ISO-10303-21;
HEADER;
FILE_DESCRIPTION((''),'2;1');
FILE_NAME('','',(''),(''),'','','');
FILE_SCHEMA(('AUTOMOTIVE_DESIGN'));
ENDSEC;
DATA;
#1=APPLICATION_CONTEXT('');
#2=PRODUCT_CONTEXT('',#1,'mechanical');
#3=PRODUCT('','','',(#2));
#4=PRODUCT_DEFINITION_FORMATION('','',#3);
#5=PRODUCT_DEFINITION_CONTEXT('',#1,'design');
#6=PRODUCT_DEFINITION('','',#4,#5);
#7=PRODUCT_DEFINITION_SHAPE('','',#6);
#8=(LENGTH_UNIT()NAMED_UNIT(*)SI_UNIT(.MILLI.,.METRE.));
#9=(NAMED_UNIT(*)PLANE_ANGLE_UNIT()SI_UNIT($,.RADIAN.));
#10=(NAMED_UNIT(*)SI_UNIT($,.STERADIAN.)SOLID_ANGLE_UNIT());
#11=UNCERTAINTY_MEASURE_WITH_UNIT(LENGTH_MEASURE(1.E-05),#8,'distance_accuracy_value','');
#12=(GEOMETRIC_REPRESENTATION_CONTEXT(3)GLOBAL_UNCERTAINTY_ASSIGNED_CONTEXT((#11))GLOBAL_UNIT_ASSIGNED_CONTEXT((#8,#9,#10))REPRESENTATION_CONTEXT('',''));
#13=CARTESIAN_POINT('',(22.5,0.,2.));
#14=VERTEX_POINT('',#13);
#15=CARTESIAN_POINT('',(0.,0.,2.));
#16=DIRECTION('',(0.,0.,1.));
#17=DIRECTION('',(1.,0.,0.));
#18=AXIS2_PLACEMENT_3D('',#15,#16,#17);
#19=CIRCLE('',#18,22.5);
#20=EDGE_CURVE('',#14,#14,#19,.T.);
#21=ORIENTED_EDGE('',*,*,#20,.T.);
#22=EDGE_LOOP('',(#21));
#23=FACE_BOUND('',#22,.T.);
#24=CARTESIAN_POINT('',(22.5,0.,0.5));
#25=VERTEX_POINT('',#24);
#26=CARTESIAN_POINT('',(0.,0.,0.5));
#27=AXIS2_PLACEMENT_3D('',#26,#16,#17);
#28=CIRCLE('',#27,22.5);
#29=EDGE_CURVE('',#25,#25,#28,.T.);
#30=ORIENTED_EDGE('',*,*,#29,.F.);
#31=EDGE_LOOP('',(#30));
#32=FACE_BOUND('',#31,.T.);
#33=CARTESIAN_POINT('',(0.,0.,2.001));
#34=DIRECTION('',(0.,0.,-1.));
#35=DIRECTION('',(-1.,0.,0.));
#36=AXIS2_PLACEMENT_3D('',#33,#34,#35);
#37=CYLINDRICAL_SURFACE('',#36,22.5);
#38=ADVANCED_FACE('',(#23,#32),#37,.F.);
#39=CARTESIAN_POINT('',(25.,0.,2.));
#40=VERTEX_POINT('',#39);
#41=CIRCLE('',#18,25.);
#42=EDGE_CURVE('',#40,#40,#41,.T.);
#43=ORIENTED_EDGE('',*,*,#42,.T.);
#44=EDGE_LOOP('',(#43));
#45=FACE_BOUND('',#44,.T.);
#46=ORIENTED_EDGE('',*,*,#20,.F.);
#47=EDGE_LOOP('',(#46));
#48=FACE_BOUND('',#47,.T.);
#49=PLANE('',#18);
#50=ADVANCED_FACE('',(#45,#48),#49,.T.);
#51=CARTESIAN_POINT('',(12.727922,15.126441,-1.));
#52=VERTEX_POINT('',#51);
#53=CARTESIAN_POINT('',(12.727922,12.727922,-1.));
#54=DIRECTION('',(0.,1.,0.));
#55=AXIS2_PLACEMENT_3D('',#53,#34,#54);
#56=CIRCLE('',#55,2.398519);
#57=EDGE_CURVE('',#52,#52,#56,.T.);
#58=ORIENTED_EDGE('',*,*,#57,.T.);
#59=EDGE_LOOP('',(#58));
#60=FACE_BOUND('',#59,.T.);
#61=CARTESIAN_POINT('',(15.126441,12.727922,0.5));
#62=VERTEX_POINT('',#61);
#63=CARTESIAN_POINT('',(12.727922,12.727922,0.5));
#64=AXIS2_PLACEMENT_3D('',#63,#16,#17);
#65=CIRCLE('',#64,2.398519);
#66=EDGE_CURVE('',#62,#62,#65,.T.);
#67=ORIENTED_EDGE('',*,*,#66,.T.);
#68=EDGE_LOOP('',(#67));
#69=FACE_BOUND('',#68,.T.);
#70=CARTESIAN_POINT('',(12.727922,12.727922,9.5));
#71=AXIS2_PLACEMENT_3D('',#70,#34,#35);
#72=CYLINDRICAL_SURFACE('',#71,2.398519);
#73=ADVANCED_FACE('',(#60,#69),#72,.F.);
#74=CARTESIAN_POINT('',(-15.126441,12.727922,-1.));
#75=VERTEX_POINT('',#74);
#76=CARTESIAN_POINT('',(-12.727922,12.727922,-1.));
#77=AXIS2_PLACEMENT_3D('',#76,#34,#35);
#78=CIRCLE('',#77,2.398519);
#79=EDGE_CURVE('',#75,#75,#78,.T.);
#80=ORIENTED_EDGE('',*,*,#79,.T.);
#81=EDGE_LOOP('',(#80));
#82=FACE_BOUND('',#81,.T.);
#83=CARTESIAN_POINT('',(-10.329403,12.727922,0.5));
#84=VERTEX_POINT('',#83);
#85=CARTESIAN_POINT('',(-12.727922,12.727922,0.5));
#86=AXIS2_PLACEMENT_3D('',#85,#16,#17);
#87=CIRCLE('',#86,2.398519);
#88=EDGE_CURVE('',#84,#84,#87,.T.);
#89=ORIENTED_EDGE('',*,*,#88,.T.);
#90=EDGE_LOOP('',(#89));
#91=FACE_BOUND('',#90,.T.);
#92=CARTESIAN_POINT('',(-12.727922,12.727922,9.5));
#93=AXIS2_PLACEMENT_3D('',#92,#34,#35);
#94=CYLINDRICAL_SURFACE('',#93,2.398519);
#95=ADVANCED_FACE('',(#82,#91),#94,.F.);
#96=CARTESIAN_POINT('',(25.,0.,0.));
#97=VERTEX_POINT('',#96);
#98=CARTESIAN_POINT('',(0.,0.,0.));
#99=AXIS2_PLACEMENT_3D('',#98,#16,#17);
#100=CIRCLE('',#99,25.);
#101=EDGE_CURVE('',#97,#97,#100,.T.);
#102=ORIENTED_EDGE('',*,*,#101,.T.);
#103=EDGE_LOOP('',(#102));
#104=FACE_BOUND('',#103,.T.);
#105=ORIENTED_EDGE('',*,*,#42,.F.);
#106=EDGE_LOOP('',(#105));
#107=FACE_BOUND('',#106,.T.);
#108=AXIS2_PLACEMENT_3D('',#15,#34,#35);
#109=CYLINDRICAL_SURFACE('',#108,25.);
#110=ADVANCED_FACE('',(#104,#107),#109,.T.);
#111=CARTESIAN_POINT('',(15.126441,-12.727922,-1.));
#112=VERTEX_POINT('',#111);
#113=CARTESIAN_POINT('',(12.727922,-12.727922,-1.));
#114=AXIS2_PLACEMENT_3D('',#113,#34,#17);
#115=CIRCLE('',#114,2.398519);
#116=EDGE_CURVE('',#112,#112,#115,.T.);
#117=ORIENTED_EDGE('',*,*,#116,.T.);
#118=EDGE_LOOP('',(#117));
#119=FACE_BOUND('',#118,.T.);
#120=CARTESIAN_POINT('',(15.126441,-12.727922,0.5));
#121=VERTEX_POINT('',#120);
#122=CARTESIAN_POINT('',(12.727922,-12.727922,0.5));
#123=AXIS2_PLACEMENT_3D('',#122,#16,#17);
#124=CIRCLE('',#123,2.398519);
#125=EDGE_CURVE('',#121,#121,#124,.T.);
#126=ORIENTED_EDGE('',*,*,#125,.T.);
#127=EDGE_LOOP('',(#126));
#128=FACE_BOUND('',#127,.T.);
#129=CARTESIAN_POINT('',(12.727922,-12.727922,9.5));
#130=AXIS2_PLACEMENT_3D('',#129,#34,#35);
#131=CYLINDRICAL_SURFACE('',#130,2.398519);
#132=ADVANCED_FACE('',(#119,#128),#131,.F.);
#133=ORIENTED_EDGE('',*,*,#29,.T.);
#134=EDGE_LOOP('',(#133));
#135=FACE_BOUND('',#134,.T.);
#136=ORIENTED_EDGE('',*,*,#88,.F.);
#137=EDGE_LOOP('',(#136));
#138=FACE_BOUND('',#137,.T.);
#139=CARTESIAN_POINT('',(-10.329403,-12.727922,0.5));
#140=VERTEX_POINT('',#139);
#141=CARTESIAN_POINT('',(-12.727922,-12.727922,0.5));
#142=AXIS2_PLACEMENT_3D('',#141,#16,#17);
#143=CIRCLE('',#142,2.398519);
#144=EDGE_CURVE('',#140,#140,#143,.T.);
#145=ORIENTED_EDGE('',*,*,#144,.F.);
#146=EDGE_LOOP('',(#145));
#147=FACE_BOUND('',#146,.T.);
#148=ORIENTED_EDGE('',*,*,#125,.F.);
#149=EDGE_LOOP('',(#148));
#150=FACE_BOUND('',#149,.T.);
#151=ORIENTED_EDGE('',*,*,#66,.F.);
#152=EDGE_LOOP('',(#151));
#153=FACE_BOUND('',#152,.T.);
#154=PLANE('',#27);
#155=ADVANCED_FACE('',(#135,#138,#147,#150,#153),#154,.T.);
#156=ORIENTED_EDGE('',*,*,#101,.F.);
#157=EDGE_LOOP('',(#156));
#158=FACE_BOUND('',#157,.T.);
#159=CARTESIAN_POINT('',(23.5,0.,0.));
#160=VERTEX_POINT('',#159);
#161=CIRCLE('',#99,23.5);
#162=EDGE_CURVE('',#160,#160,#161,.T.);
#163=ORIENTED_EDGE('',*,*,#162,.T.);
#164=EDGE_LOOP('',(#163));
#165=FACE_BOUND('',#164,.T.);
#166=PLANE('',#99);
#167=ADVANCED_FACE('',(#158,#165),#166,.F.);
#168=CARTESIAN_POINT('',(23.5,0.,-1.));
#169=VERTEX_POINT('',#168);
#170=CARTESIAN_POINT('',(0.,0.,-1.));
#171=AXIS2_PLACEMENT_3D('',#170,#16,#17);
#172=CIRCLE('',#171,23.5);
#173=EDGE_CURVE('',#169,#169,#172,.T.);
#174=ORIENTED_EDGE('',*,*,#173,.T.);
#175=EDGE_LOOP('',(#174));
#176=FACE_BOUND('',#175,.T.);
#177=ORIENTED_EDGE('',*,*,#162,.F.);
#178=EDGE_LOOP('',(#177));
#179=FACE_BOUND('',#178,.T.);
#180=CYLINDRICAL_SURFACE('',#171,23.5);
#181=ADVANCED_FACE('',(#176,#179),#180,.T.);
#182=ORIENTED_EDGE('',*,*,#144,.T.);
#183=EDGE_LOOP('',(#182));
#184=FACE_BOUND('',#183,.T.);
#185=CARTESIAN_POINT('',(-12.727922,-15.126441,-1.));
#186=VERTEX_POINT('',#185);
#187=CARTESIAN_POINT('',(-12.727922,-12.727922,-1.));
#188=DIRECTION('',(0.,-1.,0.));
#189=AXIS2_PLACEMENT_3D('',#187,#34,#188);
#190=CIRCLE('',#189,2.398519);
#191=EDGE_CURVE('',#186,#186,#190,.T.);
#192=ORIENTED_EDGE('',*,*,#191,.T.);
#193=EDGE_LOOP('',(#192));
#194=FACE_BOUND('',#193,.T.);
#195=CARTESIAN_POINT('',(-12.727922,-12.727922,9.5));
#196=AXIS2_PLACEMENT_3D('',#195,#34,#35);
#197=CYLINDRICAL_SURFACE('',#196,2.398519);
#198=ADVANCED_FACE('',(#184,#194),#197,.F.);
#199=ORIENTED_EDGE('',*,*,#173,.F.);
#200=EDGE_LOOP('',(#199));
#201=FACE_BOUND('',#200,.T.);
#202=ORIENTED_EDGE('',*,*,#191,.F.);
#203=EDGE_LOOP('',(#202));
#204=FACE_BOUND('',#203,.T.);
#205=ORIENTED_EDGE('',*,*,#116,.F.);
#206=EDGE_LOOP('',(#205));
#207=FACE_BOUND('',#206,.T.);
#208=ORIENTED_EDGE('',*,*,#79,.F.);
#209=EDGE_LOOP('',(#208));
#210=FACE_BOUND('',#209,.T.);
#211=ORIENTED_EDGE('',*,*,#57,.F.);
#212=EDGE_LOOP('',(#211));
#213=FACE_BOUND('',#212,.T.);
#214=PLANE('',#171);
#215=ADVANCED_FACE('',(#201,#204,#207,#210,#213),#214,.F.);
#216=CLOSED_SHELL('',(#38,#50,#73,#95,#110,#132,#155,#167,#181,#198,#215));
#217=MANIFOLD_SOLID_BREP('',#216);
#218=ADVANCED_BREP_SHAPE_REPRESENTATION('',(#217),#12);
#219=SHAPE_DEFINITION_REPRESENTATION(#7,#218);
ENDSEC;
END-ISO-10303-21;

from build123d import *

# Parameters (mm, degrees)
SKETCH1_R           = 25
BOSS_EXTRUDE1_DEPTH = 2
SKETCH1_3_R         = 23.5
BOSS_EXTRUDE2_DEPTH = 1
CUT_EXTRUDE1_REACH  = 4
SKETCH1_4_R         = 22.5
SKETCH1_5_R         = 22.5
BOSS_EXTRUDE3_DEPTH = 0.5
SKETCH2_R           = 2.398519327
CUT_EXTRUDE2_DEPTH  = 10.5
CIRPATTERN1_COUNT   = 4


with BuildPart() as part:
    # Sketch1 → Boss-Extrude1 (new body)
    with BuildSketch(Plane.XY):
        Circle(SKETCH1_R)
    extrude(amount=BOSS_EXTRUDE1_DEPTH)

    # Sketch1_3 → Boss-Extrude2 (add)
    with BuildSketch(Plane.XY):
        Circle(SKETCH1_3_R)
    extrude(amount=-BOSS_EXTRUDE2_DEPTH)

    # Sketch1_4 → Cut-Extrude1 (cut, up to next)
    with BuildSketch(Plane.XY, mode=Mode.PRIVATE) as cut_extrude1_sk1:
        Circle(SKETCH1_4_R)
    cut_extrude1_tool1 = extrude(cut_extrude1_sk1.sketch, amount=CUT_EXTRUDE1_REACH, mode=Mode.PRIVATE) & part.part
    add(cut_extrude1_tool1.solids().sort_by_distance((0, 0, 0))[0], mode=Mode.SUBTRACT)

    # Sketch1_5 → Boss-Extrude3 (add)
    with BuildSketch(Plane.XY):
        Circle(SKETCH1_5_R)
    extrude(amount=BOSS_EXTRUDE3_DEPTH)

    # Sketch2 → Cut-Extrude2 (cut)
    with BuildSketch(Plane(origin=(0, 0, -1), x_dir=(-1, 0, 0), z_dir=(0, 0, -1))):
        with Locations((12.727922061, 12.727922061)):
            Circle(SKETCH2_R)
    cut_extrude2 = extrude(amount=-CUT_EXTRUDE2_DEPTH, mode=Mode.SUBTRACT)

    # CirPattern1: Cut-Extrude2 ×4 about axis
    cirpattern1_axis = Axis((0, 0, 0), (0, 0, 1))
    for i in range(1, CIRPATTERN1_COUNT):
        add(cut_extrude2.rotate(cirpattern1_axis, i * 360 / CIRPATTERN1_COUNT), mode=Mode.SUBTRACT)


solid = part.part
